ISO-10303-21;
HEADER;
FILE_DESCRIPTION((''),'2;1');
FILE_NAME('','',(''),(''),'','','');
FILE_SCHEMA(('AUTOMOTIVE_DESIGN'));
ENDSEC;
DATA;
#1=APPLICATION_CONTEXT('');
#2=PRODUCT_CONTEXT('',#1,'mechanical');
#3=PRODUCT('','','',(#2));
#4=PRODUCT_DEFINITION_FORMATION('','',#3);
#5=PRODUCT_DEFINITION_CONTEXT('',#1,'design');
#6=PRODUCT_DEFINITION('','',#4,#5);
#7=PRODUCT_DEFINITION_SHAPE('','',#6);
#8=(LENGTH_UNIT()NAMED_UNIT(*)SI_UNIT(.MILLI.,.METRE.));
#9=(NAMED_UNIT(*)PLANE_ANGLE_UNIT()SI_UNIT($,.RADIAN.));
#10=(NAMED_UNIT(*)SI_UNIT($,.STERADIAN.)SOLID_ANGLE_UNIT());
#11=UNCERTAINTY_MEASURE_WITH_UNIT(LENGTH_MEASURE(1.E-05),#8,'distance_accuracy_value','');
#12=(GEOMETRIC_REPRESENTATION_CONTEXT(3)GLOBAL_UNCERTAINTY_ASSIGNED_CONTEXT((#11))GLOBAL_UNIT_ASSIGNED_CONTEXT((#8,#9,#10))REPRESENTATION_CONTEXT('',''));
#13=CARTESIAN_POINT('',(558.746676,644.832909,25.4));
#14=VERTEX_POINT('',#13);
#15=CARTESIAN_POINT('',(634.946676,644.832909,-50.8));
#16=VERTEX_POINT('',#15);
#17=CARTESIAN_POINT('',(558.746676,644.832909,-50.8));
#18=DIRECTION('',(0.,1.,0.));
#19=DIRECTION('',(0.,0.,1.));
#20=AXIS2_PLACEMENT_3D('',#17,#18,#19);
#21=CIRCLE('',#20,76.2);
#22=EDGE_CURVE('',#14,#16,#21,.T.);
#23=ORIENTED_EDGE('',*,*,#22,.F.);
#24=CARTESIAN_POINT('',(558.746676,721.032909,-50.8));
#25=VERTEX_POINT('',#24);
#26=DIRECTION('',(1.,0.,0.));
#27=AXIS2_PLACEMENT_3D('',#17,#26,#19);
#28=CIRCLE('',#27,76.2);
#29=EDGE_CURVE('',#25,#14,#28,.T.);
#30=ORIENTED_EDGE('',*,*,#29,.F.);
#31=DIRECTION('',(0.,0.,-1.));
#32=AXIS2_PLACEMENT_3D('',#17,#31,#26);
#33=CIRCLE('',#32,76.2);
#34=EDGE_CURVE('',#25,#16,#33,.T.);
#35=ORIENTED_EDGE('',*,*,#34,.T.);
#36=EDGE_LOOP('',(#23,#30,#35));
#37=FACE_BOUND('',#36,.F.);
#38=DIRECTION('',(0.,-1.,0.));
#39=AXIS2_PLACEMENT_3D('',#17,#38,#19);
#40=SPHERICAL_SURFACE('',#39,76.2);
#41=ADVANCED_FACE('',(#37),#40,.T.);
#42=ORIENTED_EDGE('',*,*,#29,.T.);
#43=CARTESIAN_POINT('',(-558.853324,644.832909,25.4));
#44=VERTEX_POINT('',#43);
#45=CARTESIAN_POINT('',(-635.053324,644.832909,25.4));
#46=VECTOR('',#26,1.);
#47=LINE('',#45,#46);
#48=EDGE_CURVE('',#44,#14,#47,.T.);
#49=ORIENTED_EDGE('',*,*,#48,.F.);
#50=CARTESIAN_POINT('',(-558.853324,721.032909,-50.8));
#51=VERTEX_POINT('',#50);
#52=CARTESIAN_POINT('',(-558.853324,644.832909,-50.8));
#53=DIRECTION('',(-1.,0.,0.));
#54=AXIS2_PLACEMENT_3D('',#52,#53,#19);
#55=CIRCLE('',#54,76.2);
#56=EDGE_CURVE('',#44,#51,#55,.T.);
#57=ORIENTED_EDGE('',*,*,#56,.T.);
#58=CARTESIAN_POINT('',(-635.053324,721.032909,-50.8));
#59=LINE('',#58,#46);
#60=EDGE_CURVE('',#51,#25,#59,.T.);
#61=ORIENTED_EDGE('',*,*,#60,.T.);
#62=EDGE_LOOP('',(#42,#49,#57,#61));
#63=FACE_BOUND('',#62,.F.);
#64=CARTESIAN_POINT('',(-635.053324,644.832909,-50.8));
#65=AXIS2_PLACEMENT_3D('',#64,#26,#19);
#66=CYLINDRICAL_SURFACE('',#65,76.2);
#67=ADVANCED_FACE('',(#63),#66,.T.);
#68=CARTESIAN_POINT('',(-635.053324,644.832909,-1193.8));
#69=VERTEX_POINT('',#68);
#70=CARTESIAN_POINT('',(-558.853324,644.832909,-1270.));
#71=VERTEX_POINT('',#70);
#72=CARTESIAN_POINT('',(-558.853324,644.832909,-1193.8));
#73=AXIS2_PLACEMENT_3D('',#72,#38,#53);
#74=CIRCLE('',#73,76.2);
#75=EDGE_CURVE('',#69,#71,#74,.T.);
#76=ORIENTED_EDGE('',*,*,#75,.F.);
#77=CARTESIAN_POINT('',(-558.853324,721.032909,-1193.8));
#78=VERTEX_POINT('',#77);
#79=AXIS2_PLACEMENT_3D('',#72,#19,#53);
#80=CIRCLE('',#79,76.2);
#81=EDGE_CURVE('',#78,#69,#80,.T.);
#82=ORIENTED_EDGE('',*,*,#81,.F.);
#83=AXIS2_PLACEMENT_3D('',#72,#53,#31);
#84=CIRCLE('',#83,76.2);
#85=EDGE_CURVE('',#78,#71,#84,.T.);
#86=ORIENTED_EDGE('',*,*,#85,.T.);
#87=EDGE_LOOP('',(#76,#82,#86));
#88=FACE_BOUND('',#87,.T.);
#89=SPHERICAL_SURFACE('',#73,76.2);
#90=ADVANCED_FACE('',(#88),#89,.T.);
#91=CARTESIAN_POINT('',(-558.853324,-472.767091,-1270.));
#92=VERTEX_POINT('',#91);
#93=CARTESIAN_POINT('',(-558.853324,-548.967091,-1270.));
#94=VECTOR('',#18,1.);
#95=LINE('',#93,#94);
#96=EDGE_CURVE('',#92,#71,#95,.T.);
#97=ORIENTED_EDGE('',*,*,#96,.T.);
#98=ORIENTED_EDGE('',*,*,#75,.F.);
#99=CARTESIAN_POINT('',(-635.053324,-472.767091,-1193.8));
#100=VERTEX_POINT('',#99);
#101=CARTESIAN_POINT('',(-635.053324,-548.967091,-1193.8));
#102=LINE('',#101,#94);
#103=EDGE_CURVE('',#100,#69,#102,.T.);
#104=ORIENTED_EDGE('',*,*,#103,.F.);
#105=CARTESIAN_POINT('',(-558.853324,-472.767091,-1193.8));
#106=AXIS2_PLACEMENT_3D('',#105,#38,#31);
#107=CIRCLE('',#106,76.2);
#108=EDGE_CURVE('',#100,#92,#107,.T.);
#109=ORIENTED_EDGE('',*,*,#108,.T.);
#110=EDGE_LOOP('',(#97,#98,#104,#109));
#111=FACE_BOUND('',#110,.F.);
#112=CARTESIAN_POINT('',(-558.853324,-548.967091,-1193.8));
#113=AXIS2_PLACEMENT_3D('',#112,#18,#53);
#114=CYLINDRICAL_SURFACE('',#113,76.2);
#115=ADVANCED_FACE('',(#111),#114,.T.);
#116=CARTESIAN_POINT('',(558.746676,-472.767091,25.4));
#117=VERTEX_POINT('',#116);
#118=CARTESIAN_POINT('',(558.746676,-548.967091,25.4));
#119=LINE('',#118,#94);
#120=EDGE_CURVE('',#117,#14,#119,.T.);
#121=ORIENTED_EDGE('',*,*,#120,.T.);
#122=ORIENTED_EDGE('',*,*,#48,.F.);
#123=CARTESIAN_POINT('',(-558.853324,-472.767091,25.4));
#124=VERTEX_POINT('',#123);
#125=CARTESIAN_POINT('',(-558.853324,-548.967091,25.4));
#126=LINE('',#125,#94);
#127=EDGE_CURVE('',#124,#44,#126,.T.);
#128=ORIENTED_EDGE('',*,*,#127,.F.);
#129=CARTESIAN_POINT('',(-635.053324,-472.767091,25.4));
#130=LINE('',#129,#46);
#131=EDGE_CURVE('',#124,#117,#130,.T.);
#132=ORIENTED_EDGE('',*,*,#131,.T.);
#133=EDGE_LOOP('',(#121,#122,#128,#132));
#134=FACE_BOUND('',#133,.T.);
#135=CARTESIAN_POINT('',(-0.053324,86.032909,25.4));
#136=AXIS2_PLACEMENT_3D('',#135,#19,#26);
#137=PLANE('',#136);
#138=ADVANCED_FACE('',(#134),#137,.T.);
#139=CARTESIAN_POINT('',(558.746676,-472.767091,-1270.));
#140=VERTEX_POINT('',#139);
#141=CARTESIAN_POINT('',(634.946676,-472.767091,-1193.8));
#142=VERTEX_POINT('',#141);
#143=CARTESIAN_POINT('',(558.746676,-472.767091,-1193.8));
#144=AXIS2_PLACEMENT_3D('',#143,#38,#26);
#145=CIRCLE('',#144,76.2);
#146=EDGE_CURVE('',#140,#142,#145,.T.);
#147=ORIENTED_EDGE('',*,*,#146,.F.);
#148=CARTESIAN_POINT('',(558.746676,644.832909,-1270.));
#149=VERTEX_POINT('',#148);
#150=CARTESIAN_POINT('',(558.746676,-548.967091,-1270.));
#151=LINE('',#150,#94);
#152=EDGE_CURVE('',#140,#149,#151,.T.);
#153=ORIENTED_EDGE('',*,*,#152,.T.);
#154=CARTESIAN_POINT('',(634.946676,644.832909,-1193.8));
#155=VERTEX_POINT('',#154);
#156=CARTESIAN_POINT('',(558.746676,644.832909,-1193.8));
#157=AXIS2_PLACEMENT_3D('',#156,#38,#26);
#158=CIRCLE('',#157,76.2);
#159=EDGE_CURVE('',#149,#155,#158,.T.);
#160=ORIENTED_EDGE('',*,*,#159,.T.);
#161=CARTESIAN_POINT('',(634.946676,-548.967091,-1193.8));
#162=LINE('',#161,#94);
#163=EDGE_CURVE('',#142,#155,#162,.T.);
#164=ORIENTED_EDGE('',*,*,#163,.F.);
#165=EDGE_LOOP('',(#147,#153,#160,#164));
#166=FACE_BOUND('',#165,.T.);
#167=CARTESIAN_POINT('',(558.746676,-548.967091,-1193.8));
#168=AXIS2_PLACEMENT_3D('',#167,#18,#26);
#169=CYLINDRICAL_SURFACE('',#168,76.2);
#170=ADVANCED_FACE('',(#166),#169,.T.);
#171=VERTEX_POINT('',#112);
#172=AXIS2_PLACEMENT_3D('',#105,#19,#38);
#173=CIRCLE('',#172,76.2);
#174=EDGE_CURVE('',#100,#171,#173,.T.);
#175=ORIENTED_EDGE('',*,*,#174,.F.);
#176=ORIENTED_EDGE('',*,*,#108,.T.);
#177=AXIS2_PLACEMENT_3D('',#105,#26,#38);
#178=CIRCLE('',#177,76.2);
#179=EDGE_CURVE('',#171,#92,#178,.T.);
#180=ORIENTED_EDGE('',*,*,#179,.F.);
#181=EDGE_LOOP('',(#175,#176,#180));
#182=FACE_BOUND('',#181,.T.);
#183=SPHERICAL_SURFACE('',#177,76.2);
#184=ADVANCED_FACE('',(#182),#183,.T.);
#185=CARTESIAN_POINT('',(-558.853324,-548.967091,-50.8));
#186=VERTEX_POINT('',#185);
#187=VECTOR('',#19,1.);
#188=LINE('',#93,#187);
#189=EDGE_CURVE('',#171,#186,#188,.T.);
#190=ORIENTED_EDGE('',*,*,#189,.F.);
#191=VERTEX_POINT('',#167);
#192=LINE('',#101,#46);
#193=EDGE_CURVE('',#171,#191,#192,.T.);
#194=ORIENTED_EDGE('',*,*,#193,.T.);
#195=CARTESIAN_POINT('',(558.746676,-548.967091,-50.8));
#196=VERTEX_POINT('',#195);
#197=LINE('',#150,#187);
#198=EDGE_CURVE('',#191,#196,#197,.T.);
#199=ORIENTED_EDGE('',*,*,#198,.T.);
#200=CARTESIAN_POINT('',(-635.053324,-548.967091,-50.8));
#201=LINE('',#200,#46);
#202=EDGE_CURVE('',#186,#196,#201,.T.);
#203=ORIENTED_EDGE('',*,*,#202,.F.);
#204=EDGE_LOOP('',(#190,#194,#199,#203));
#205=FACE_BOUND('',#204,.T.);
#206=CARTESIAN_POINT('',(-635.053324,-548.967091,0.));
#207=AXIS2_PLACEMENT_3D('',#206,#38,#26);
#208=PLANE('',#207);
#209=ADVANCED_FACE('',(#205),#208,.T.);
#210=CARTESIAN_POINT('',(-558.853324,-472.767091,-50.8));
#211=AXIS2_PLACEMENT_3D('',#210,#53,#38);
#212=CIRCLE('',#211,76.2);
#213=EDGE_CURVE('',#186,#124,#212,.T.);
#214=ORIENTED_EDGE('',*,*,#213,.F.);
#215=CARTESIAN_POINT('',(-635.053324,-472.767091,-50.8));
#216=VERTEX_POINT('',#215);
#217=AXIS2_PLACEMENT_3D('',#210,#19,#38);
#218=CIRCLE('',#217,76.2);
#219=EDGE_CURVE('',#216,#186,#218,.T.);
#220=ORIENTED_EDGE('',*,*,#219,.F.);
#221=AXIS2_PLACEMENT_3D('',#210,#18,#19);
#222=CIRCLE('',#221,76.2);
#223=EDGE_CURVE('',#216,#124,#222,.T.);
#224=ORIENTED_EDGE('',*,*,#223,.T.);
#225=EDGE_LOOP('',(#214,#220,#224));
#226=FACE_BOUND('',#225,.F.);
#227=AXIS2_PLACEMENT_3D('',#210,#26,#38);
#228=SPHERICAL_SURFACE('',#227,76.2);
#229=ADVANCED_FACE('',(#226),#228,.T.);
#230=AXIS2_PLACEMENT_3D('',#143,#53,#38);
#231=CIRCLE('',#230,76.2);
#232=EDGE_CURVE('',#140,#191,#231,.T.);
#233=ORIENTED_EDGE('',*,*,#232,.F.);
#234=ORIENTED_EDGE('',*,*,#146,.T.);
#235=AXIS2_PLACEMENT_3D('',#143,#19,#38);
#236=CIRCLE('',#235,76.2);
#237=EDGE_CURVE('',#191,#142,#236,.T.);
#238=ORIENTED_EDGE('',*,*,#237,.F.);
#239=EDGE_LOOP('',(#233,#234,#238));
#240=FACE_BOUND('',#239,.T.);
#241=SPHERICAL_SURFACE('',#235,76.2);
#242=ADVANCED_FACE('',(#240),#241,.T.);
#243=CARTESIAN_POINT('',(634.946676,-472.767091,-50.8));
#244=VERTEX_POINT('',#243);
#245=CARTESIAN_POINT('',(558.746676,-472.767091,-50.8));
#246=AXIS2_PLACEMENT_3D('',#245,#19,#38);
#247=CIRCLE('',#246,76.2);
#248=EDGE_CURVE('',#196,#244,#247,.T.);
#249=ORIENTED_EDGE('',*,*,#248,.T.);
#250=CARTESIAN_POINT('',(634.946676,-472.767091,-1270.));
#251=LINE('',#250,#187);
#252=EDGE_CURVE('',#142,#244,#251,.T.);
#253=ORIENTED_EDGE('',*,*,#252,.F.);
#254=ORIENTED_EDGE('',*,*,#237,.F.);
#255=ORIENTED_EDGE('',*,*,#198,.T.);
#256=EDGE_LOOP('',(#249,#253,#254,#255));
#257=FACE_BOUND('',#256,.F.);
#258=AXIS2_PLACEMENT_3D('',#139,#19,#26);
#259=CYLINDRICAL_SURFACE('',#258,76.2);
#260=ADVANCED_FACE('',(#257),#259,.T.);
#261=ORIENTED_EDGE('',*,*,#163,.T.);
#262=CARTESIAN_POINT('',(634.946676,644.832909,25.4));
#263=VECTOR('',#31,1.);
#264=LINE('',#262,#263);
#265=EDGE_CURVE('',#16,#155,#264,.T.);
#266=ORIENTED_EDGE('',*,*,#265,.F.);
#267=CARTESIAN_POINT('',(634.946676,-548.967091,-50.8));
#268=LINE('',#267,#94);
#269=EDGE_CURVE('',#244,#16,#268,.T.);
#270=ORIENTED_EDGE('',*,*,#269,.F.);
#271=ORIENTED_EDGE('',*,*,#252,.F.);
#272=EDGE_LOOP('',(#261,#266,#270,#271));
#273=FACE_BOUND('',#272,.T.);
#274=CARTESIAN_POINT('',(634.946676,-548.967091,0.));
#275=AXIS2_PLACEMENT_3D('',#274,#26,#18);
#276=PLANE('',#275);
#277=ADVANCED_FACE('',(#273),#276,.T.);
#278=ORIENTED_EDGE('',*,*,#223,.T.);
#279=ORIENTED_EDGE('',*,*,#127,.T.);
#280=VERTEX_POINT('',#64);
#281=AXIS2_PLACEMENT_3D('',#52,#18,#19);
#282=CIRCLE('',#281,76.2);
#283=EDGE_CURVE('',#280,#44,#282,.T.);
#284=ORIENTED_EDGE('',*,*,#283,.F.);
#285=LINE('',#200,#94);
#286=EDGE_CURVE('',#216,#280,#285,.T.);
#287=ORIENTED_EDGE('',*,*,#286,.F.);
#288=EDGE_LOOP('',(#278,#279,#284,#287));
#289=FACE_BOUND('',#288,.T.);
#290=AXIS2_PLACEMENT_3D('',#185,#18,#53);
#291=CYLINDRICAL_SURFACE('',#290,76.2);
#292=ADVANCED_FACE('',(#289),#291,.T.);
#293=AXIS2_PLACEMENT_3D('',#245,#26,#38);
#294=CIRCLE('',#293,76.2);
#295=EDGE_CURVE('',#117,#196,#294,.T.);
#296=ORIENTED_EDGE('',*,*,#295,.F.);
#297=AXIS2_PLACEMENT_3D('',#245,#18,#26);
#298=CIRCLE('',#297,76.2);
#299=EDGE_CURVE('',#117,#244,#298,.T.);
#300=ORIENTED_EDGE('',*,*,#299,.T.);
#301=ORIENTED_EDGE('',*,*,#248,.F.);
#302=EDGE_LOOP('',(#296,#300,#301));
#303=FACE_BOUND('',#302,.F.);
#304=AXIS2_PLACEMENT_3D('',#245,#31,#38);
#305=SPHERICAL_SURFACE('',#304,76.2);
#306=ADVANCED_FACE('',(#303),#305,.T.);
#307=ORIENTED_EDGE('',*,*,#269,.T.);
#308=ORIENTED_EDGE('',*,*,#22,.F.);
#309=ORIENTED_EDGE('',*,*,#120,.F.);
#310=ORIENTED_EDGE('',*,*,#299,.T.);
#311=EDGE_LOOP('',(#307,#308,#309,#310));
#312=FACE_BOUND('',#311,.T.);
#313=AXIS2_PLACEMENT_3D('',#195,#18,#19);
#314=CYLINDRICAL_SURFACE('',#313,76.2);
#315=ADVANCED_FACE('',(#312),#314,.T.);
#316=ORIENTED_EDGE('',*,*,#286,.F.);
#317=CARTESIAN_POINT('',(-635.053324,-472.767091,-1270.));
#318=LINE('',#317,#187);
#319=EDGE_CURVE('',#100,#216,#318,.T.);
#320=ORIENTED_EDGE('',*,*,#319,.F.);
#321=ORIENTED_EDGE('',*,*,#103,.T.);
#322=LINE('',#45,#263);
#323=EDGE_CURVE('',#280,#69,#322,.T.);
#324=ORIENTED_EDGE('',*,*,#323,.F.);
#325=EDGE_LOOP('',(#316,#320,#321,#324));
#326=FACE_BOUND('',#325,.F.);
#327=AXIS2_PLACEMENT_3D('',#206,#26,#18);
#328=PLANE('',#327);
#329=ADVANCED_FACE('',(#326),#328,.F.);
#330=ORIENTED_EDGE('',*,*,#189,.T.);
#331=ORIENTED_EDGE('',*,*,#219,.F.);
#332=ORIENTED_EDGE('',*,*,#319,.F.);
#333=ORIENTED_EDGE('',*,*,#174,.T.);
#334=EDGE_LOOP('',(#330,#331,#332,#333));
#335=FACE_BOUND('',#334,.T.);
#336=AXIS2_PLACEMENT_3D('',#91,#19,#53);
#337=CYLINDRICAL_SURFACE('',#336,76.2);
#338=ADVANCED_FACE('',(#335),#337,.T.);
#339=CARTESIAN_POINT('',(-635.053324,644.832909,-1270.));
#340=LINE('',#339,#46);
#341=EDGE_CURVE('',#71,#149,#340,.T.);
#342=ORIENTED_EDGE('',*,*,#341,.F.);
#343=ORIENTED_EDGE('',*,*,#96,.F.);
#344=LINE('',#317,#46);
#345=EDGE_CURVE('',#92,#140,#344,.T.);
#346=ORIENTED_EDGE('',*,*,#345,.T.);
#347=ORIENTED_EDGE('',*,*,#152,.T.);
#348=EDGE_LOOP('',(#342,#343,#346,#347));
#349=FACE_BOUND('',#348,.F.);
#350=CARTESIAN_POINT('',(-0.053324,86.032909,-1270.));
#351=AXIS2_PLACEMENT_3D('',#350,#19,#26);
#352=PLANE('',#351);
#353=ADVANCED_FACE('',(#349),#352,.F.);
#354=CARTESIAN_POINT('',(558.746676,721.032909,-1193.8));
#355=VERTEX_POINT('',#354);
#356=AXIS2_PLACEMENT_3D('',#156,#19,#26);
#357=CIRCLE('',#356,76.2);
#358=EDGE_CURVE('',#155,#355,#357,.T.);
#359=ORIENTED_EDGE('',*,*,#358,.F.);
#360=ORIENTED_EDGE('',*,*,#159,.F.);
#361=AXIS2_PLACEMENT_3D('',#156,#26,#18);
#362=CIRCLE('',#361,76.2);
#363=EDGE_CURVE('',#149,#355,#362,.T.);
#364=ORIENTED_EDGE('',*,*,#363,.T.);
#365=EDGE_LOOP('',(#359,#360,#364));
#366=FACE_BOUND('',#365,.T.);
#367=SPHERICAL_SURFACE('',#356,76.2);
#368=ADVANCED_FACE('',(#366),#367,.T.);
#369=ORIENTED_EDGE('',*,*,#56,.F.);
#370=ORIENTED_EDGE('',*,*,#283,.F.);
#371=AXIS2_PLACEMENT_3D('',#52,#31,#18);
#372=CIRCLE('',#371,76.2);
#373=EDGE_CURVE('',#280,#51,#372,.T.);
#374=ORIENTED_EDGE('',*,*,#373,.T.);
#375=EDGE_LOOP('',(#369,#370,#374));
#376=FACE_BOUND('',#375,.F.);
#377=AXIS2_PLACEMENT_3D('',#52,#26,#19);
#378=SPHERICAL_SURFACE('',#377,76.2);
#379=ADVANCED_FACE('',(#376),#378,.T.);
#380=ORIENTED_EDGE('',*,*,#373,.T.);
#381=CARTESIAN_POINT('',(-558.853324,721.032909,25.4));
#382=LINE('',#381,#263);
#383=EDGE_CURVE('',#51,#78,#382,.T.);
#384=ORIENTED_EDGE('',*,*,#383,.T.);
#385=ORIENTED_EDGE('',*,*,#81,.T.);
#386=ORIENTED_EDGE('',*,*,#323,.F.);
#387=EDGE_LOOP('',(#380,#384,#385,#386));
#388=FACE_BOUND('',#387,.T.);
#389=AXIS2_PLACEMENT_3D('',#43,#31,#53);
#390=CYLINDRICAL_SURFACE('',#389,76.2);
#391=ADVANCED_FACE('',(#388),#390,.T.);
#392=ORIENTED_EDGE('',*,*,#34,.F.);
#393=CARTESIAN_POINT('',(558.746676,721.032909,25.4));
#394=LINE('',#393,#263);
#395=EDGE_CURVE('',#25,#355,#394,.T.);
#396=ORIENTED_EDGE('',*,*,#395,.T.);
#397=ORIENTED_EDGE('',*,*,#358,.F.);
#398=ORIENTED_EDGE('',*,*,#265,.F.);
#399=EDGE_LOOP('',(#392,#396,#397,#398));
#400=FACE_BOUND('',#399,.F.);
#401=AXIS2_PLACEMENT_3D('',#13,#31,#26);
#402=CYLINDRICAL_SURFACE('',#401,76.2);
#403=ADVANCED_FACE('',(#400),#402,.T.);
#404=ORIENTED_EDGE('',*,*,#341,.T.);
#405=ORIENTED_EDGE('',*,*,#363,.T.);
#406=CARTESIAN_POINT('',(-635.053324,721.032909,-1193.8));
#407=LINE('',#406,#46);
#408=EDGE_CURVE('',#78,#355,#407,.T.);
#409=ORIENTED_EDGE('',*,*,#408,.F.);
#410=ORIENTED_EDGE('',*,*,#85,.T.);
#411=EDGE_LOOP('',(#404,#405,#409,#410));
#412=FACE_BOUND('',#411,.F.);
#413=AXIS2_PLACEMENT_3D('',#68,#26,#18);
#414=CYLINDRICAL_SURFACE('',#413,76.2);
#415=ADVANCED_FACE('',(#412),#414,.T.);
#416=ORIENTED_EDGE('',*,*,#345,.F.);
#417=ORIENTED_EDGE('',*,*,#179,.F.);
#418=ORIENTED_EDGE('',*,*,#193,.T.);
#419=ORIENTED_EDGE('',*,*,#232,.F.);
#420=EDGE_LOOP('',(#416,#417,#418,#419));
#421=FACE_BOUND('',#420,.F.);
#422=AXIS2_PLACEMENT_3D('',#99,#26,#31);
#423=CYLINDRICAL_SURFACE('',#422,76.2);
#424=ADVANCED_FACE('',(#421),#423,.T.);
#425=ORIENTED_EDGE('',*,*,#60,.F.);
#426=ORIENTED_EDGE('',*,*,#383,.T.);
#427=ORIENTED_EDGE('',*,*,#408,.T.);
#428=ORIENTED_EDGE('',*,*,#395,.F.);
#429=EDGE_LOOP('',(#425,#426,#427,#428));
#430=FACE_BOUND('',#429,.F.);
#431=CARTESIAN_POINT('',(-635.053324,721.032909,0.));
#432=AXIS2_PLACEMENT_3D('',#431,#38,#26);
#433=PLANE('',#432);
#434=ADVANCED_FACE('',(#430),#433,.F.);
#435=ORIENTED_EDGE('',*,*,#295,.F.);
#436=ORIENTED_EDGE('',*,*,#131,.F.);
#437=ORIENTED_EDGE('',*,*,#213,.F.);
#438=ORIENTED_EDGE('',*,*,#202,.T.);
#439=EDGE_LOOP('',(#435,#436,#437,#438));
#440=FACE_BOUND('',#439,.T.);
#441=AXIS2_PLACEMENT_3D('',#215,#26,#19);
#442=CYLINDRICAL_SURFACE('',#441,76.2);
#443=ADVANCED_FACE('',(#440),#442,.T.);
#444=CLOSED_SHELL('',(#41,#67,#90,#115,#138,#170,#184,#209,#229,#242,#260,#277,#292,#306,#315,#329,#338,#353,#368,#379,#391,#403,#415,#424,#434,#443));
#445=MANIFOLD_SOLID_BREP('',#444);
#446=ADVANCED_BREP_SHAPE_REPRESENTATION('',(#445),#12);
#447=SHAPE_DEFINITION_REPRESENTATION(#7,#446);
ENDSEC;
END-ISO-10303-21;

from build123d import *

# Parameters (mm, degrees)
F0_W     = 1270
F0_H     = 1270
F1_DEPTH = 25.4
F2_DEPTH = 1270
F3_R     = 76.2


with BuildPart() as f1:
    # F0 (on Top) → F1 (new body)
    with BuildSketch(Plane.XY):
        with Locations((-0.053324, 86.032909)):
            Rectangle(F0_W, F0_H)
    extrude(amount=F1_DEPTH)

    # F0 (on Top) → F2 (join)
    with BuildSketch(Plane.XY):
        with Locations((-0.053324, 86.032909)):
            Rectangle(F0_W, F0_H)
    extrude(amount=-F2_DEPTH)

    # F3
    f3_edges = [f1.edges().sort_by_distance(p)[0] for p in [
        (634.946676, -548.967091, -622.3),
        (-0.053324, -548.967091, -1270),
        (-0.053324, -548.967091, 25.4),
        (-635.053324, -548.967091, -622.3),
        (634.946676, 86.032909, 25.4),
        (-0.053324, 721.032909, 25.4),
        (634.946676, 721.032909, -622.3),
        (634.946676, 86.032909, -1270),
        (-635.053324, 86.032909, 25.4),
        (-635.053324, 86.032909, -1270),
        (-635.053324, 721.032909, -622.3),
        (-0.053324, 721.032909, -1270),
    ]]
    fillet(f3_edges, radius=F3_R)


solid = f1.part
